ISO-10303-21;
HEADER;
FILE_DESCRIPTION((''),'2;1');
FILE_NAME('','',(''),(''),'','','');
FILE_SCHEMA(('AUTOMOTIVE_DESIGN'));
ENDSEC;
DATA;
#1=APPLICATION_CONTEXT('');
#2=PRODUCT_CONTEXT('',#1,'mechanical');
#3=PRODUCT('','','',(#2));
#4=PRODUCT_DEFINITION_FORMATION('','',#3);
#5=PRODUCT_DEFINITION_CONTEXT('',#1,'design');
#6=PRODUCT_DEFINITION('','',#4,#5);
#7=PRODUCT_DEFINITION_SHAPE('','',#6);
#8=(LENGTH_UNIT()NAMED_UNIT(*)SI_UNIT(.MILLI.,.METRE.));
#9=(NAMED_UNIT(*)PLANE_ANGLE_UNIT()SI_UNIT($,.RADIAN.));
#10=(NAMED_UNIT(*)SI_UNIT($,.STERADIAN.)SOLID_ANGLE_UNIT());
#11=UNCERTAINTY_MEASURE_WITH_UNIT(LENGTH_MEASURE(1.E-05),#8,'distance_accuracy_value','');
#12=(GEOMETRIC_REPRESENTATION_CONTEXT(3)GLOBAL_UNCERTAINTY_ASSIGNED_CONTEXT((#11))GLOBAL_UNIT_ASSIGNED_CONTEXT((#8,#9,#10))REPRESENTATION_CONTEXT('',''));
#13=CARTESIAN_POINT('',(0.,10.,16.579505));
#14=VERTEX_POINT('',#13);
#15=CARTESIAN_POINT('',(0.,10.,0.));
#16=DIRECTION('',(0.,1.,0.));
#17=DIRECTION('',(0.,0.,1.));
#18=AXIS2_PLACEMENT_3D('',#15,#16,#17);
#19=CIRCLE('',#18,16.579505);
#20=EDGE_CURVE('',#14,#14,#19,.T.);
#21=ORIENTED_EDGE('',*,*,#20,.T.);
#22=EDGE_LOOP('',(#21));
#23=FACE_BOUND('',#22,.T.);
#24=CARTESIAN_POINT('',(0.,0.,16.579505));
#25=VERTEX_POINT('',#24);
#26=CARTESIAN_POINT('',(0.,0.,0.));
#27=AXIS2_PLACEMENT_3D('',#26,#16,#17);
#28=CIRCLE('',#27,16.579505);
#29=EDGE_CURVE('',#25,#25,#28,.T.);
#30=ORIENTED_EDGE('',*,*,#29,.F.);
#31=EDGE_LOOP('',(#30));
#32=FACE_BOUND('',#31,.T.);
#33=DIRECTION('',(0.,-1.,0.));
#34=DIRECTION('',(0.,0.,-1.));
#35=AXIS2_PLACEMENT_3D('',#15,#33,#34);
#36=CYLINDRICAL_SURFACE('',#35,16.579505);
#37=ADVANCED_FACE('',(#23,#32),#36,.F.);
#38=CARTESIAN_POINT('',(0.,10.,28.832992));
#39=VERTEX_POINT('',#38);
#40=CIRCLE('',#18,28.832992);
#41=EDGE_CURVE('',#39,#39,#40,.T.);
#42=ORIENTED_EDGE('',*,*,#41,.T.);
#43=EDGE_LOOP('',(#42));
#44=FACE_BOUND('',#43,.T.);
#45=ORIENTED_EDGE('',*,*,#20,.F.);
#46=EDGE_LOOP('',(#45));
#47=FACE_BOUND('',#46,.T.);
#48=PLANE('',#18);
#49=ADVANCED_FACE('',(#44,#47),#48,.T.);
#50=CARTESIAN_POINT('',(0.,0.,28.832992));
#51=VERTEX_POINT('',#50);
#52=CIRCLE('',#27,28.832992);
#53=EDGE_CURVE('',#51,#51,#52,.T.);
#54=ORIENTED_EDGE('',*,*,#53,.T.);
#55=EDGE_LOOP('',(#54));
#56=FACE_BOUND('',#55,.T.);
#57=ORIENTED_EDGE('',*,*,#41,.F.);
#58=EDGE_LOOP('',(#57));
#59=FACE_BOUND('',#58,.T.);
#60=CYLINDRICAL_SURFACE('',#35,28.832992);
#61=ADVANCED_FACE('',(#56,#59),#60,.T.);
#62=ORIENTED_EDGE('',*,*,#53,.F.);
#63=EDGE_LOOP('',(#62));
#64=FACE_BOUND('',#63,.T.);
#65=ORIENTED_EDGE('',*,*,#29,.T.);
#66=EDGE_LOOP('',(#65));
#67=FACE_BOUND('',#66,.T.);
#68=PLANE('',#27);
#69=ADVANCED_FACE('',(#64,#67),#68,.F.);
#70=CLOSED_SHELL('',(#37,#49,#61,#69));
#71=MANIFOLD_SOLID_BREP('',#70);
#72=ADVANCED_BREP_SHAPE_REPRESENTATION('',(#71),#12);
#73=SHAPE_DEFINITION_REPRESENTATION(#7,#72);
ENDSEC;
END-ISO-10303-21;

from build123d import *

# Parameters (mm, degrees)
SKETCH1_R           = 28.832991777
SKETCH1_R_2         = 16.579505118
BOSS_EXTRUDE1_DEPTH = 10


with BuildPart() as part:
    # Sketch1 → Boss-Extrude1 (new body)
    with BuildSketch(Plane(origin=(0, 0, 0), x_dir=(1, 0, 0), z_dir=(0, 1, 0))):
        with Locations(Location((0, 0, 0), (0, 0, 270))):
            Circle(SKETCH1_R)
        with Locations(Location((0, 0, 0), (0, 0, 270))):
            Circle(SKETCH1_R_2, mode=Mode.SUBTRACT)
    extrude(amount=BOSS_EXTRUDE1_DEPTH)


solid = part.part
